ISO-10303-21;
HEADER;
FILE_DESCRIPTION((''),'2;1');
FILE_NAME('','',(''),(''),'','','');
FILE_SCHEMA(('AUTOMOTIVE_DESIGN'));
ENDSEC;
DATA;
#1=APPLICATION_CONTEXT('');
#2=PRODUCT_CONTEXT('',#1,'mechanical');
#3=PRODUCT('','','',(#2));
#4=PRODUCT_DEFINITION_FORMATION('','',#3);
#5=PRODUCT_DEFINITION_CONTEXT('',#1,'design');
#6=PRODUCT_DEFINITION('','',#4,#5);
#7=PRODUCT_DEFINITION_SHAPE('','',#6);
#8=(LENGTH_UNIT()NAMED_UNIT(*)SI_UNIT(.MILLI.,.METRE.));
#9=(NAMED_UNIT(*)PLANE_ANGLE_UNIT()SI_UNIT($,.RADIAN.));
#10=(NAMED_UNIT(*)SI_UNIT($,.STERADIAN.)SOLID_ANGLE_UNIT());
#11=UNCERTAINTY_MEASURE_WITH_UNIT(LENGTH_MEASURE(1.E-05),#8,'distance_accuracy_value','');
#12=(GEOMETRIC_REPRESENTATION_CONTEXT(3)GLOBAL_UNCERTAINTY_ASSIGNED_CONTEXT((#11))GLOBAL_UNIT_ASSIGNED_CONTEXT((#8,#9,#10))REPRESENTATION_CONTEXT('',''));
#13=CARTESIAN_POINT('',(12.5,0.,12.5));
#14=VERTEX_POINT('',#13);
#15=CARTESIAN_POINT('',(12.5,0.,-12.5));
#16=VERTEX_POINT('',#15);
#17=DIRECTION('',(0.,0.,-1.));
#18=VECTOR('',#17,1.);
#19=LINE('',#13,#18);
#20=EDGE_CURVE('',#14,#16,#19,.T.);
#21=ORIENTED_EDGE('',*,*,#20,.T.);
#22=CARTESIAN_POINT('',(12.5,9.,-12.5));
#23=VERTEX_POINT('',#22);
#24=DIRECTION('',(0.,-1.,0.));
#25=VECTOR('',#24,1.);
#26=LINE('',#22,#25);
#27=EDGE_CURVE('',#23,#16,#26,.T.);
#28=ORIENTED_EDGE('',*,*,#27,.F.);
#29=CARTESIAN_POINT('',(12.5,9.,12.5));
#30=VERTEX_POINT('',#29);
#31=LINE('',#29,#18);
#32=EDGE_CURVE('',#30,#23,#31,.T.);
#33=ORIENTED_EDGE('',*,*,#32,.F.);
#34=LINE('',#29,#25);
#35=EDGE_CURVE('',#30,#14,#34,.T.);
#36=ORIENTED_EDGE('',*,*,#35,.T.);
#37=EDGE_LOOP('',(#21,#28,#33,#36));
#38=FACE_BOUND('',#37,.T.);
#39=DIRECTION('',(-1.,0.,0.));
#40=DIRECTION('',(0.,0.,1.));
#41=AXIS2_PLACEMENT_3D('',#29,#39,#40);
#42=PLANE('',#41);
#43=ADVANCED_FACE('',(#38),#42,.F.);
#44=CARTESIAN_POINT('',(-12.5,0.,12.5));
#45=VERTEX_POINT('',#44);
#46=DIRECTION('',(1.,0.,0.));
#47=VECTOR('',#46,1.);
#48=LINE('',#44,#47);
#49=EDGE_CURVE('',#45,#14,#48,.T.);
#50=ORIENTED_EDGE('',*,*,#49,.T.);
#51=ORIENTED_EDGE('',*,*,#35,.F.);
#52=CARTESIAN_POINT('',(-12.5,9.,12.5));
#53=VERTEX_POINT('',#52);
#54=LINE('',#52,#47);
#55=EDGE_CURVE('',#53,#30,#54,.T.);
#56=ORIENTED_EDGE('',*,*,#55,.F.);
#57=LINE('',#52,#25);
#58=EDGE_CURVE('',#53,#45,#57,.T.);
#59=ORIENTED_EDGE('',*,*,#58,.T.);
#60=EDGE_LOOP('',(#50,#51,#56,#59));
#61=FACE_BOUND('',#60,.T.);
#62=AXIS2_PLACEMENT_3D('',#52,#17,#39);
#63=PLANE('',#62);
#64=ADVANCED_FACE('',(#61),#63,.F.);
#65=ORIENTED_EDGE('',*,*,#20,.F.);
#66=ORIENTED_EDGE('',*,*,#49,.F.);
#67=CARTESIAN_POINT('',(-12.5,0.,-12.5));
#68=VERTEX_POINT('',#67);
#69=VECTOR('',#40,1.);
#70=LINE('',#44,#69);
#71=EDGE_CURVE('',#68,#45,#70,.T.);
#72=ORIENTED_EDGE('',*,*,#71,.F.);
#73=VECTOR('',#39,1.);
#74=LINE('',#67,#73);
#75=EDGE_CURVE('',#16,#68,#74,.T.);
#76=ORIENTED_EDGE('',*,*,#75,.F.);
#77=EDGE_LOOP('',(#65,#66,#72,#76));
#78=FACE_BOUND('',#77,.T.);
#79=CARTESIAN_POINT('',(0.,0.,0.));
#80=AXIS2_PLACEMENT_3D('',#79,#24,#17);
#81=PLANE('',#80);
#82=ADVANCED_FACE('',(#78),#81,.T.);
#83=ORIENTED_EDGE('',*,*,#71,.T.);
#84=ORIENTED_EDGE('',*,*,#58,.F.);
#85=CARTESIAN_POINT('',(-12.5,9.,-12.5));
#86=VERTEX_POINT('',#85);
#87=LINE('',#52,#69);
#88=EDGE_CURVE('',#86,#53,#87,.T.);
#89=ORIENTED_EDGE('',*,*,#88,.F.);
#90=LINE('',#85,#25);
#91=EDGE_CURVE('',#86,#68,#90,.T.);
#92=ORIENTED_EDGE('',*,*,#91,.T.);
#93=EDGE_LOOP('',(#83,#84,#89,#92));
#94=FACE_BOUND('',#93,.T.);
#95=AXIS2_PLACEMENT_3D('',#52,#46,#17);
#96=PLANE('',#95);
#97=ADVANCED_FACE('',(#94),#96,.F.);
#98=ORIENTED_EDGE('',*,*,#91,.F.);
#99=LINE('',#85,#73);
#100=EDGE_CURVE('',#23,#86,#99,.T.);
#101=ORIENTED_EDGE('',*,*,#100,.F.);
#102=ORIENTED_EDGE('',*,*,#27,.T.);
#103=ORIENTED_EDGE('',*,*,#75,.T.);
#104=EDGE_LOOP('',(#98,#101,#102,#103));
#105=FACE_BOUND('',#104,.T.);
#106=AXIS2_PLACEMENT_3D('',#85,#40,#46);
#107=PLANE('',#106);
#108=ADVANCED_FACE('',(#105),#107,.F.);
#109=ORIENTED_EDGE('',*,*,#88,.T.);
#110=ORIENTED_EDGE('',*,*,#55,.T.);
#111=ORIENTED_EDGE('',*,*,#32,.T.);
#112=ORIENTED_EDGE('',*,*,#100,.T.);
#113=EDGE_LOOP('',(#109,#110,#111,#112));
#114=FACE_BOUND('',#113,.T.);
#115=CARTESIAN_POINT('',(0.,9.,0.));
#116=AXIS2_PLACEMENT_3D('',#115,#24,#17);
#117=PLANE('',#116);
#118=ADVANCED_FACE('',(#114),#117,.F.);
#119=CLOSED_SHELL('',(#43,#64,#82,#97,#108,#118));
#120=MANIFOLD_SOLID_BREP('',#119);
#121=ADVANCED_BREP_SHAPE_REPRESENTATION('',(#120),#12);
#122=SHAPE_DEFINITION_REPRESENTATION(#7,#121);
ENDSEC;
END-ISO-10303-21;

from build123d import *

# Parameters (mm, degrees)
SKETCH_1_W      = 25
SKETCH_1_H      = 25
EXTRUDE_1_DEPTH = 9


with BuildPart() as part:
    # Эскиз1 → Бобышка-Вытянуть1 (new body)
    with BuildSketch(Plane(origin=(0, 0, 0), x_dir=(1, 0, 0), z_dir=(0, 1, 0))):
        Rectangle(SKETCH_1_W, SKETCH_1_H)
    extrude(amount=EXTRUDE_1_DEPTH)


solid = part.part
